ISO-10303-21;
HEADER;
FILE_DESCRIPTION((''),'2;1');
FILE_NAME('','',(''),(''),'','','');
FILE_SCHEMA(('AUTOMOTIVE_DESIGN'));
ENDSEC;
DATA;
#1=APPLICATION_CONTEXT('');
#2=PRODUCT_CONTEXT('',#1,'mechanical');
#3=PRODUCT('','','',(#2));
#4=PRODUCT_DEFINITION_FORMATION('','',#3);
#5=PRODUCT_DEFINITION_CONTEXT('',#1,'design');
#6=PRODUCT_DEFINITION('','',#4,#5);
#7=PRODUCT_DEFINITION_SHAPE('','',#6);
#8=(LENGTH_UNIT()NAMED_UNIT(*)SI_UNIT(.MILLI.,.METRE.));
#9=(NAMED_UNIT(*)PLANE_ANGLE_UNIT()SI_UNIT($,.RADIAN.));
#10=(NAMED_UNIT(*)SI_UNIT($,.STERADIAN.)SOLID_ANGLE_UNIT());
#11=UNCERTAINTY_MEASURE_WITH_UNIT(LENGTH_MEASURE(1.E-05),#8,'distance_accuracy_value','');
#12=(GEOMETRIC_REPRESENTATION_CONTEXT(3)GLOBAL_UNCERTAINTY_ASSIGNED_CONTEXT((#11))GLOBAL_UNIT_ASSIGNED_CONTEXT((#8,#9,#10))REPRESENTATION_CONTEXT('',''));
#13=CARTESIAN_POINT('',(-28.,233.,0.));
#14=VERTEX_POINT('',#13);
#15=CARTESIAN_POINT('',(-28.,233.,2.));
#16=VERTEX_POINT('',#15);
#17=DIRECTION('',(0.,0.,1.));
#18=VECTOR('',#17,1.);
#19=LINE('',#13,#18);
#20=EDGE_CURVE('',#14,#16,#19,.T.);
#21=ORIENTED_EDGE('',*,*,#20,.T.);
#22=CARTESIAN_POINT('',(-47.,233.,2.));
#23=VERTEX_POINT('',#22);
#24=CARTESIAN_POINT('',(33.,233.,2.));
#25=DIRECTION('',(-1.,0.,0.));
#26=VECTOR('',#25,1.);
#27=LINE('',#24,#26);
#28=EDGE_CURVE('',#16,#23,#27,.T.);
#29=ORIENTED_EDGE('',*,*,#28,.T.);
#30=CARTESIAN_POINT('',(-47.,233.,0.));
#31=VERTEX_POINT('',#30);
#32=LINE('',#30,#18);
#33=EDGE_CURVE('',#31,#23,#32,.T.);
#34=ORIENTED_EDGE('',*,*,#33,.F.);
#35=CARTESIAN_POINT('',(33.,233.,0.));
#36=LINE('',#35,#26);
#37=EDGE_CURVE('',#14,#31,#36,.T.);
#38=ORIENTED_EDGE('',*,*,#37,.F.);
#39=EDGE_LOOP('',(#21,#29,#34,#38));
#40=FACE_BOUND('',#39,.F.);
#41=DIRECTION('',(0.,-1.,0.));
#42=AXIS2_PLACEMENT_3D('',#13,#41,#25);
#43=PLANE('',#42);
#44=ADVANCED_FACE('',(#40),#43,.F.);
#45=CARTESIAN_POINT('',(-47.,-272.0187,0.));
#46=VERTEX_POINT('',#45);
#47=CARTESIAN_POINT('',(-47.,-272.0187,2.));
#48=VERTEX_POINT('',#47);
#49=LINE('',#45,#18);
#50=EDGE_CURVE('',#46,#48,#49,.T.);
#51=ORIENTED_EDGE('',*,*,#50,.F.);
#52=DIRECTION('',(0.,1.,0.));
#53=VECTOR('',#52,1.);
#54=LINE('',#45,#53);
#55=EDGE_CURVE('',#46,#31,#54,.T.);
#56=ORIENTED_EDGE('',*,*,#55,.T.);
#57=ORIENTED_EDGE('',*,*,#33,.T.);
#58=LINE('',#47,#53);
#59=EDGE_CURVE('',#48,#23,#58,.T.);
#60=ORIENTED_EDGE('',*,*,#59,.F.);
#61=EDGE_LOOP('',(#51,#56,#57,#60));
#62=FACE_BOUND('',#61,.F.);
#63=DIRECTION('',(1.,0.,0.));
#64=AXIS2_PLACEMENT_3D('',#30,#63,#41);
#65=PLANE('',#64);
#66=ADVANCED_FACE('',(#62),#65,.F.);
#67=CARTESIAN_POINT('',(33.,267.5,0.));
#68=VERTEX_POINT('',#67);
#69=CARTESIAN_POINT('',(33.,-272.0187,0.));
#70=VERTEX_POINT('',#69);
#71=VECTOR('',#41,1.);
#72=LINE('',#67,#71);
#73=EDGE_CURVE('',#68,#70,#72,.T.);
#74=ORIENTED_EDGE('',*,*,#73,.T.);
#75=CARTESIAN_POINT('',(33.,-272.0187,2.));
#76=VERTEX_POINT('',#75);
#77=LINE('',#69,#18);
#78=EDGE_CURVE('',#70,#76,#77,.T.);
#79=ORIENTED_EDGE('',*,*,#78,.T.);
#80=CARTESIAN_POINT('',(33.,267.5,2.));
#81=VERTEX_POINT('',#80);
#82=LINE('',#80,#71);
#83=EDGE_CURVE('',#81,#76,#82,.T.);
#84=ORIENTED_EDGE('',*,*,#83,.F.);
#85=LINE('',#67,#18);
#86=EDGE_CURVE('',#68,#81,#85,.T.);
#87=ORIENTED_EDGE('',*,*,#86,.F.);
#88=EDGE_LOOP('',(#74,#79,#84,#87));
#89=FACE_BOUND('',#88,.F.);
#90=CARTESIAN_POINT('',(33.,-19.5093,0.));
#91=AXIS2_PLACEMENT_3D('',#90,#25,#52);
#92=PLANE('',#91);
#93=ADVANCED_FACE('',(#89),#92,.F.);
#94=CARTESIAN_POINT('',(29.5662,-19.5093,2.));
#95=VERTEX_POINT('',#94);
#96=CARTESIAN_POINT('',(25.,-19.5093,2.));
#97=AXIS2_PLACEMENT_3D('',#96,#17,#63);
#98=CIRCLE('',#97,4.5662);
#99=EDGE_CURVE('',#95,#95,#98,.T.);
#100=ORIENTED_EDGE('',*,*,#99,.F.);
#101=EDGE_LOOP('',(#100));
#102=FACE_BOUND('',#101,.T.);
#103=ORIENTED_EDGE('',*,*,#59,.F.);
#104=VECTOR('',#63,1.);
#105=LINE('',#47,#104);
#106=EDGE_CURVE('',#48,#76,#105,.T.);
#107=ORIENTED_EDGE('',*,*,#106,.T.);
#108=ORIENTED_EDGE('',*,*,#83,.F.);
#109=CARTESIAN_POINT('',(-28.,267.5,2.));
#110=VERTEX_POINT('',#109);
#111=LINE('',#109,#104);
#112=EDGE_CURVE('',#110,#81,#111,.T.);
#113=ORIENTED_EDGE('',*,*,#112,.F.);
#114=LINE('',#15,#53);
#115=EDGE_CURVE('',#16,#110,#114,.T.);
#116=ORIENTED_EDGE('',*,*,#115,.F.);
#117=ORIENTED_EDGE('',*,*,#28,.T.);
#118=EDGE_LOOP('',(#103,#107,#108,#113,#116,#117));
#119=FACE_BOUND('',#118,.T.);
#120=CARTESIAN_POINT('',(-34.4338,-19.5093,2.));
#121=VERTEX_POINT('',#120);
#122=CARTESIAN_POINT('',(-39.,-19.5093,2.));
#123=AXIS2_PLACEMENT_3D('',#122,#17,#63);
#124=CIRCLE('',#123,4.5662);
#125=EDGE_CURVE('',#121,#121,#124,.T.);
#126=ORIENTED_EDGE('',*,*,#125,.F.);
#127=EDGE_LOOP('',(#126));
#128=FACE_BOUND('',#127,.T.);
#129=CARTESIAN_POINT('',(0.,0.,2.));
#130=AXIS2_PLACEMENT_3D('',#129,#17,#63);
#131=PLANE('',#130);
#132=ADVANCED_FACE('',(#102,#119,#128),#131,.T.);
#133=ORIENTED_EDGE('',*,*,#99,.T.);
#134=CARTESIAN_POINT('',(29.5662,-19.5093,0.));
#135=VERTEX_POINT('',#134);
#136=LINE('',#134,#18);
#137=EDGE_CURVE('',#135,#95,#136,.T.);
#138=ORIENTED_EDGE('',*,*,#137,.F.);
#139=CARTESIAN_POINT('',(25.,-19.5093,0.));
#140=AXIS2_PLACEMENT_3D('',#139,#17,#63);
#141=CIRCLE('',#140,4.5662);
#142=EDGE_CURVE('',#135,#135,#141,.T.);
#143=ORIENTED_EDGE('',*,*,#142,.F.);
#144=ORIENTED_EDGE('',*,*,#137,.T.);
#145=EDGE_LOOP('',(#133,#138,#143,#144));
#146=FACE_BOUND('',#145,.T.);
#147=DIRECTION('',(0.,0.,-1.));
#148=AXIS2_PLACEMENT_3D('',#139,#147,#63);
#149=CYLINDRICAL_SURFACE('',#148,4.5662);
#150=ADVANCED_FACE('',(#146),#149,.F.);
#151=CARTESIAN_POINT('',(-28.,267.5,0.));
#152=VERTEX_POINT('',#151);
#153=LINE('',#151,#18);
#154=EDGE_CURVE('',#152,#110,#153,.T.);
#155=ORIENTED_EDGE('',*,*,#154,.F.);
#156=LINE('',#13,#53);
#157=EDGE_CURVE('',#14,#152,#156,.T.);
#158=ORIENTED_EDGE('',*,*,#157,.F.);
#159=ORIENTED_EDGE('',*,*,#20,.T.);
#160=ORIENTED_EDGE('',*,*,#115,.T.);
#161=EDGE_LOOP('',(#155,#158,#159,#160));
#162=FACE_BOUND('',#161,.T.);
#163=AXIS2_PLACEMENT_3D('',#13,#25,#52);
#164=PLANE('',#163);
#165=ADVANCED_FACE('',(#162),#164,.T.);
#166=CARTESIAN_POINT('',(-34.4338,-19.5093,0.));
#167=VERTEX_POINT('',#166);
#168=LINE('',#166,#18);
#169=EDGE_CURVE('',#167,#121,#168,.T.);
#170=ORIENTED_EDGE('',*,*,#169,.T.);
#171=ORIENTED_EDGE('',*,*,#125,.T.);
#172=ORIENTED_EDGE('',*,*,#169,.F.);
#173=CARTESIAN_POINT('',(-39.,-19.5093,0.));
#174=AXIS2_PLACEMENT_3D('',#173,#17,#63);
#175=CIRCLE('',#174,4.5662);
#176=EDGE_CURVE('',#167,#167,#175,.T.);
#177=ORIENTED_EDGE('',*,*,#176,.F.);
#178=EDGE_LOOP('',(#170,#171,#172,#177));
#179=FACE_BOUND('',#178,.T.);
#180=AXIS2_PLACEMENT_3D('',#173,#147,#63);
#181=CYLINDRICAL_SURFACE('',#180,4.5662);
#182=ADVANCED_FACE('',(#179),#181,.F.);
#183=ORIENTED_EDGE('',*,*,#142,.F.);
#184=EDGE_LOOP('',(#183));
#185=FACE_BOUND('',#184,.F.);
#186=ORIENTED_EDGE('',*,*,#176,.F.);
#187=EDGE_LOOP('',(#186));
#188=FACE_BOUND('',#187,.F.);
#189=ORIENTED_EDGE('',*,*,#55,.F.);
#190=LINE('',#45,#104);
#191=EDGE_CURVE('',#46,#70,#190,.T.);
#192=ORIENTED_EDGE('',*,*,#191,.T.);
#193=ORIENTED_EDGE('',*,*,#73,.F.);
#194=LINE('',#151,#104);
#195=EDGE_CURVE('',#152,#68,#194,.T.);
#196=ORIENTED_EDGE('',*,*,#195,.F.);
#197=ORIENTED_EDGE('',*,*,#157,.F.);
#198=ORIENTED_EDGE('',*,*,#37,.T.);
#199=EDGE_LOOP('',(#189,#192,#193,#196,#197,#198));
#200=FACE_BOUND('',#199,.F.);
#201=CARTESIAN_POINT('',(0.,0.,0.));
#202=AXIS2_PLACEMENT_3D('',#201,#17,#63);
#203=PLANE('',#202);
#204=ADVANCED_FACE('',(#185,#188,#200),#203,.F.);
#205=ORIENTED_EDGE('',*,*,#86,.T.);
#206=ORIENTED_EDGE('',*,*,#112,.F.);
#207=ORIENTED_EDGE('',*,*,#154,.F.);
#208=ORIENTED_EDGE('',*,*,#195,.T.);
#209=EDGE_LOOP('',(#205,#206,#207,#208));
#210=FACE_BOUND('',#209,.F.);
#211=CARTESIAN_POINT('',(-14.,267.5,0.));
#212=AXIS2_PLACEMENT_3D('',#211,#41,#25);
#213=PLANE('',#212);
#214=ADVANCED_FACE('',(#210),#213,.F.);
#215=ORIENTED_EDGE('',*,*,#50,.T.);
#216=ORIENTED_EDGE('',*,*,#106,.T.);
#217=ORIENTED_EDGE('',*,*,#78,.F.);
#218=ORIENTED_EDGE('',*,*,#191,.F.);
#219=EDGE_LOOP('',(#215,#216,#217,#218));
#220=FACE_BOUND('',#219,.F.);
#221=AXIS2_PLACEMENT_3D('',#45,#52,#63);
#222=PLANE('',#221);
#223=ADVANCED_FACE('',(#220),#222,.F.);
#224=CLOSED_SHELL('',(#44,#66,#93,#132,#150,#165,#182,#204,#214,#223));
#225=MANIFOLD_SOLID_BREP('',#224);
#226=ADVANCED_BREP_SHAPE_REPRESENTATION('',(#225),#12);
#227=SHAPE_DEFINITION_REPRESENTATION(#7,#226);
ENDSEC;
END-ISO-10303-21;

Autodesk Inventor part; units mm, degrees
ref_plane "YZ Plane" through (0, 0, 0) normal (1, 0, 0) x (0, 1, 0)
ref_plane "XZ Plane" through (0, 0, 0) normal (0, 1, 0) x (-1, 0, 0)
ref_plane "XY Plane" through (0, 0, 0) normal (0, 0, 1) x (1, 0, 0)
sketch "スケッチ1" plane through (0, 0, 0) normal (0, 0, 1) x (1, 0, 0)
  circle A0 centre (9, 227.5) radius 2.75 projected
  line L0 (14, 222) -> (14, 233) projected
  line L1 (0, 233) -> (14, 233) projected
  line L2 (0, 222) -> (0, 233) projected
  line L3 (14, 222) -> (0, 222) projected
  circle A1 centre (9, 273) radius 2.75 projected
  line L4 (14, 267.5) -> (14, 278.5) projected
  line L5 (0, 278.5) -> (14, 278.5) projected
  line L6 (0, 267.5) -> (0, 278.5) projected
  line L7 (14, 267.5) -> (0, 267.5) projected
  circle A2 centre (-23, 227.5) radius 2.75 projected
  line L8 (-14, 222) -> (-14, 233) projected
  line L9 (-28, 233) -> (-14, 233) projected
  line L10 (-28, 222) -> (-28, 233) projected
  line L11 (-14, 222) -> (-28, 222) projected
  circle A3 centre (-23, 273) radius 2.75 projected
  line L12 (-14, 267.5) -> (-14, 278.5) projected
  line L13 (-28, 278.5) -> (-14, 278.5) projected
  line L14 (-28, 267.5) -> (-28, 278.5) projected
  line L15 (-14, 267.5) -> (-28, 267.5) projected
  line L16 (14, 233) -> (-28, 233)
  line L17 (-28, 233) -> (-28, 267.5)
  line L18 (-28, 267.5) -> (14, 267.5)
  line L19 (14, 267.5) -> (14, 233)
  line L20 (-7, 233) -> (33, 233)
  line L21 (-7, 267.5) -> (33, 267.5)
  line L22 (33, 267.5) -> (33, 233)
  line L23 (33, 233) -> (-47, 233)
  line L24 (-47, 233) -> (-47, -272.0187)
  line L25 (-47, -272.0187) -> (33, -272.0187)
  line L26 (33, -272.0187) -> (33, 233)
  line L27 (33, 233) -> (33, -19.5093)
  line L28 (-47, 233) -> (-47, -19.5093)
  line L29 (33, -19.5093) -> (-47, -19.5093)
  circle A4 centre (25, 26.7655) radius 4.5 projected
  circle A5 centre (-39, 26.7655) radius 4.5 projected
  circle A6 centre (25, -19.5093) radius 4.5662
  circle A7 centre (-39, -19.5093) radius 4.5662
  point P0 (0, 0)
  point P1 (14, -5.5)
  point P2 (0, 5.5)
  point P3 (-14, 5.5)
  point P4 (-28, -33.5187)
  point P5 (-14, -44.5187)
  point P6 (0, -44.5187)
  point P7 (14, 267.5)
  point P8 (-28, -43.5187)
  point P9 (-28, 233)
  point P10 (-34.4338, -19.5093)
  point P11 (-43.5662, -19.5093)
  point P12 (-43.4328, -19.5093)
  point P13 (-43.5, -18.7345)
  point P14 (-34.5, -18.7345)
  point P15 (-34.5672, -19.5093)
  point P16 (29.5662, -19.5093)
  point P17 (20.4338, -19.5093)
  point P18 (20.5672, -19.5093)
  point P19 (20.5, -18.7345)
  point P20 (29.5, -18.7345)
  point P21 (29.4328, -19.5093)
  point P22 (14, 267.5)
  point P23 (14, 267.5)
  point P24 (0, 267.5)
  point P25 (0, 233)
  dimension "d2" = 40
  dimension "d3" = 80
extrude "押し出し1" add sketch "スケッチ1" along normal blind 2 contours A0 | L3 L2 L1 L0 | L0 L20 L26 L29 A6 A7 L24 L23 L10 L11 L8 L16 L2 L3 | L1 L16 L9 L17 L15 L18 L7 L19 | L19 L21 L22 L20 | L26 L25 L24 L29 A7 A6 | L8 L11 L10 L9 | A2 | A4 | A5
